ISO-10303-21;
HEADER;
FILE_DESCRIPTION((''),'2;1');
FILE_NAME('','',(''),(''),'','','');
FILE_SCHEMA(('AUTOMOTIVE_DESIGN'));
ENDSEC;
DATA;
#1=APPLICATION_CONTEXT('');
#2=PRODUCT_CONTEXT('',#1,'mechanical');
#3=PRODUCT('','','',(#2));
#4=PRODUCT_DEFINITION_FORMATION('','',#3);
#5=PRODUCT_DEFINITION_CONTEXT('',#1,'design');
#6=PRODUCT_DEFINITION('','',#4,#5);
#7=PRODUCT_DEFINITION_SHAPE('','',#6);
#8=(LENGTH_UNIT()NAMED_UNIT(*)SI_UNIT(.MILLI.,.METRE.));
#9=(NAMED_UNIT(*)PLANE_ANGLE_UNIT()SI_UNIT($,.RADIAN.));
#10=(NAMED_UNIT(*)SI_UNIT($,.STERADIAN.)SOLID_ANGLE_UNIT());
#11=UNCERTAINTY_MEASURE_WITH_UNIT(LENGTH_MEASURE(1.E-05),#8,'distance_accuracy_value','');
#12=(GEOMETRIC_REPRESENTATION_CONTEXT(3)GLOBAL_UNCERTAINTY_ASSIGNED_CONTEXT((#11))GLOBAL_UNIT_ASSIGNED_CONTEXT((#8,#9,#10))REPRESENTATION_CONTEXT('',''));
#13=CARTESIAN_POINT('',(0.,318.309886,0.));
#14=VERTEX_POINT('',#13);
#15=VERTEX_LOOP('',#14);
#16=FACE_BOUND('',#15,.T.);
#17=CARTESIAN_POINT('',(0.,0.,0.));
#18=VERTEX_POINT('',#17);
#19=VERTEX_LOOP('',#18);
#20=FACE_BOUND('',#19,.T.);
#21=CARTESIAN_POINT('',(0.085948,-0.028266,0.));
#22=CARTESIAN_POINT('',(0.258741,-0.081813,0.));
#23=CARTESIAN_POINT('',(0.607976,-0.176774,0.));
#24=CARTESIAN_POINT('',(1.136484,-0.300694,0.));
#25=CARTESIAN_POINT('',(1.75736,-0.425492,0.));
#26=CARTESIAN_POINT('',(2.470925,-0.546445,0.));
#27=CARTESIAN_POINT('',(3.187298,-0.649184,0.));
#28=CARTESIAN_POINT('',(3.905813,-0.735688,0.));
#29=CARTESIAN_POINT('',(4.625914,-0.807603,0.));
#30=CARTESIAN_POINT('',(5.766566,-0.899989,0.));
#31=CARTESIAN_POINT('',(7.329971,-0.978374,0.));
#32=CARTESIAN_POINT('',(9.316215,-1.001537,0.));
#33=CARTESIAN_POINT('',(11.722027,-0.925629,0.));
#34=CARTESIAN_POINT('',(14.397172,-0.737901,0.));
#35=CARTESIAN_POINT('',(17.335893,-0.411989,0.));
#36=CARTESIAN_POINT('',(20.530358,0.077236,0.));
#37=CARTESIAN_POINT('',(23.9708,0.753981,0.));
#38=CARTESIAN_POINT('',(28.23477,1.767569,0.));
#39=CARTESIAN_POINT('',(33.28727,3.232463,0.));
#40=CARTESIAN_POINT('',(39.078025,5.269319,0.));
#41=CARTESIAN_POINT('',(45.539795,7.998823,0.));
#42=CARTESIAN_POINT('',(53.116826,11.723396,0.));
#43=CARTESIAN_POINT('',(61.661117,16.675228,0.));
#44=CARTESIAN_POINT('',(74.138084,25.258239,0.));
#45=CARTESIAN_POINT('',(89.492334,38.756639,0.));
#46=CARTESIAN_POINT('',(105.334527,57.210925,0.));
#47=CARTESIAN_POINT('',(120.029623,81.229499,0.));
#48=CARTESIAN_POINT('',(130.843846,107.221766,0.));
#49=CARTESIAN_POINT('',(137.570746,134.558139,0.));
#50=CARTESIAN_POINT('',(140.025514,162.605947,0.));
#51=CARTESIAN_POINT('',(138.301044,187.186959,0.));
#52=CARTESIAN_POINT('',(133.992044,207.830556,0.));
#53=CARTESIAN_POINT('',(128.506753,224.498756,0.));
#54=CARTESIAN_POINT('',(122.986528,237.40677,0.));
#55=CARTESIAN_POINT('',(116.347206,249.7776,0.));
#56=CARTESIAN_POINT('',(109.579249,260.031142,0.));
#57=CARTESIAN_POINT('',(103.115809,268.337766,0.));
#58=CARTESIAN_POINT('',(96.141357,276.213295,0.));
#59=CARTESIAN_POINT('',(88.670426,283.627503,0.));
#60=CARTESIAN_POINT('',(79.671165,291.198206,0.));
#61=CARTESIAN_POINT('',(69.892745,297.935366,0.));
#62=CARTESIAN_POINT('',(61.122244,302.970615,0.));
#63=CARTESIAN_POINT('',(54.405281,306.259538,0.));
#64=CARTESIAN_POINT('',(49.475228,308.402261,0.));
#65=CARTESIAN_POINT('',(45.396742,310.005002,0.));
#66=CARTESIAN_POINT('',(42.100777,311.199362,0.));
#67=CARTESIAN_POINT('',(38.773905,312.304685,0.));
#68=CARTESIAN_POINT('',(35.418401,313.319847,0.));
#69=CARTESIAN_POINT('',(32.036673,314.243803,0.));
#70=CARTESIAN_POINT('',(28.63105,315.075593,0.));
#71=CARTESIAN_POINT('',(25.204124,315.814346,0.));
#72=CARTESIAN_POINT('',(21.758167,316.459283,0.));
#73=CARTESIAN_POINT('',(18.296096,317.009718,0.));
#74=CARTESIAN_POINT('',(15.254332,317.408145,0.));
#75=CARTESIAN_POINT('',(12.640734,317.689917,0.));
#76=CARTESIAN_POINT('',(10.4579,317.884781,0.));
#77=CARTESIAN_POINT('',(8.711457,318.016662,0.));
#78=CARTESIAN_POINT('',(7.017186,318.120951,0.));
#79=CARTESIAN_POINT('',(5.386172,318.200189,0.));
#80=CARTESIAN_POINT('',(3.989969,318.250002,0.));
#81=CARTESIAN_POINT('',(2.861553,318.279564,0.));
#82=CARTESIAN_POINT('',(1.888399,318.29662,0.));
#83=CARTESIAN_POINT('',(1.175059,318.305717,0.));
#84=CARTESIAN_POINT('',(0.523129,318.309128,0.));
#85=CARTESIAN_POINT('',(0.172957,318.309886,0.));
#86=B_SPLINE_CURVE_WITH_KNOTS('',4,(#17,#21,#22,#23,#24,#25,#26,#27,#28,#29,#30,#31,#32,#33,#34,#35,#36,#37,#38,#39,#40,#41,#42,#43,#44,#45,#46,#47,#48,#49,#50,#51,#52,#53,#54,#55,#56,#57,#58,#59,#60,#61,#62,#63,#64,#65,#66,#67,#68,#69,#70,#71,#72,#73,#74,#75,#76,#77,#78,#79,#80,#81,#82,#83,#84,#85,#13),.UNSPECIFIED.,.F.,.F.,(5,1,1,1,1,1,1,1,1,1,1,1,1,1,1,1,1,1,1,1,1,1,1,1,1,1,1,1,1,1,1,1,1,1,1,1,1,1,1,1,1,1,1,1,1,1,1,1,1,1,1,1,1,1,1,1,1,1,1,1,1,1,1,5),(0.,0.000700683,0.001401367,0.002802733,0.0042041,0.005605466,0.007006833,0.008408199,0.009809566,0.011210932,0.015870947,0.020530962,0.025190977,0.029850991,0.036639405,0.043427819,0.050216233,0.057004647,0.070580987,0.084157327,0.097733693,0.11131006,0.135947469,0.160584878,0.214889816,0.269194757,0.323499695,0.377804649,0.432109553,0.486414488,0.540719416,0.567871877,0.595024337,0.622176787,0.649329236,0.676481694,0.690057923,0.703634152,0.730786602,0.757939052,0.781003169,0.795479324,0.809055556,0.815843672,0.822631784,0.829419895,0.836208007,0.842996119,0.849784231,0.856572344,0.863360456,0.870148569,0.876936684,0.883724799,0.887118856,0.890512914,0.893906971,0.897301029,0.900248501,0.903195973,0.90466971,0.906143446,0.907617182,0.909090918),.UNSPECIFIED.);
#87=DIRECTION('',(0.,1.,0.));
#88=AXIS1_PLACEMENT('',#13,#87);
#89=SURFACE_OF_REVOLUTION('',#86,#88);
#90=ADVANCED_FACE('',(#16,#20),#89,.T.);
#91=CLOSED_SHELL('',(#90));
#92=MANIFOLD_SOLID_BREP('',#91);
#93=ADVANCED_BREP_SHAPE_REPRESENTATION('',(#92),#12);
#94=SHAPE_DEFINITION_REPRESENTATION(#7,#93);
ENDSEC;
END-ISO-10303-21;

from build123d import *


with BuildPart() as part:
    # Sketch1 → Revolve1 (revolve)
    with BuildSketch(Plane.XY):
        with BuildLine():
            Line((0, 0), (0, 318.309886184))
            add(Edge.make_bspline(
                [(0, 0), (0.085948438, -0.028266268), (0.258741266, -0.081812635), (0.607975906, -0.176773899), (1.136484439, -0.300694334), (1.757360468, -0.425492274), (2.470924874, -0.546444598), (3.187298492, -0.649184207), (3.905812841, -0.735687541), (4.625913711, -0.807603316), (5.766566397, -0.899989175), (7.329971466, -0.978373944), (9.31621461, -1.001536992), (11.722027119, -0.925628511), (14.397171662, -0.737900746), (17.335893263, -0.411989059), (20.530357641, 0.077235569), (23.970799608, 0.753981372), (28.234770062, 1.767568746), (33.28727043, 3.232463379), (39.078025472, 5.269318872), (45.53979496, 7.998823275), (53.11682593, 11.723396245), (61.661117281, 16.6752284), (74.138083632, 25.258238794), (89.492334109, 38.756639471), (105.334527051, 57.210925443), (120.029622868, 81.229498762), (130.843845704, 107.22176629), (137.57074582, 134.558138538), (140.025513533, 162.60594723), (138.301043697, 187.186959394), (133.992044156, 207.830556303), (128.506752773, 224.498756482), (122.986528471, 237.40676996), (116.347205767, 249.777600477), (109.579249052, 260.031141949), (103.11580894, 268.337765834), (96.141356707, 276.213295477), (88.670425521, 283.62750293), (79.671165034, 291.1982061), (69.892744849, 297.935366194), (61.122244154, 302.970615341), (54.405280933, 306.259537853), (49.475227992, 308.4022612), (45.396741543, 310.005002012), (42.100777288, 311.19936152), (38.773905309, 312.304684987), (35.418400717, 313.319846847), (32.036673115, 314.243802659), (28.63105044, 315.075592839), (25.20412399, 315.814346188), (21.758166882, 316.45928305), (18.296095872, 317.009718133), (15.254331625, 317.408144999), (12.640734164, 317.689916768), (10.457900242, 317.884780671), (8.711456829, 318.016662169), (7.017185976, 318.120951146), (5.386172272, 318.200188685), (3.989969436, 318.250002449), (2.861552791, 318.279563874), (1.888399357, 318.296619795), (1.175058966, 318.305716674), (0.523129219, 318.309128091), (0.172957369, 318.309886184), (0, 318.309886184)],
                knots=[0, 0, 0, 0, 0, 0.000700683, 0.001401367, 0.002802733, 0.0042041, 0.005605466, 0.007006833, 0.008408199, 0.009809566, 0.011210932, 0.015870947, 0.020530962, 0.025190977, 0.029850991, 0.036639405, 0.043427819, 0.050216233, 0.057004647, 0.070580987, 0.084157327, 0.097733693, 0.11131006, 0.135947469, 0.160584878, 0.214889816, 0.269194757, 0.323499695, 0.377804649, 0.432109553, 0.486414488, 0.540719416, 0.567871877, 0.595024337, 0.622176787, 0.649329236, 0.676481694, 0.690057923, 0.703634152, 0.730786602, 0.757939052, 0.781003169, 0.795479324, 0.809055556, 0.815843672, 0.822631784, 0.829419895, 0.836208007, 0.842996119, 0.849784231, 0.856572344, 0.863360456, 0.870148569, 0.876936684, 0.883724799, 0.887118856, 0.890512914, 0.893906971, 0.897301029, 0.900248501, 0.903195973, 0.90466971, 0.906143446, 0.907617182, 0.909090918, 0.909090918, 0.909090918, 0.909090918, 0.909090918], degree=4))
        make_face()
    revolve(axis=Axis((0, 318.309886184, 0), (0, -1, 0)))


solid = part.part
